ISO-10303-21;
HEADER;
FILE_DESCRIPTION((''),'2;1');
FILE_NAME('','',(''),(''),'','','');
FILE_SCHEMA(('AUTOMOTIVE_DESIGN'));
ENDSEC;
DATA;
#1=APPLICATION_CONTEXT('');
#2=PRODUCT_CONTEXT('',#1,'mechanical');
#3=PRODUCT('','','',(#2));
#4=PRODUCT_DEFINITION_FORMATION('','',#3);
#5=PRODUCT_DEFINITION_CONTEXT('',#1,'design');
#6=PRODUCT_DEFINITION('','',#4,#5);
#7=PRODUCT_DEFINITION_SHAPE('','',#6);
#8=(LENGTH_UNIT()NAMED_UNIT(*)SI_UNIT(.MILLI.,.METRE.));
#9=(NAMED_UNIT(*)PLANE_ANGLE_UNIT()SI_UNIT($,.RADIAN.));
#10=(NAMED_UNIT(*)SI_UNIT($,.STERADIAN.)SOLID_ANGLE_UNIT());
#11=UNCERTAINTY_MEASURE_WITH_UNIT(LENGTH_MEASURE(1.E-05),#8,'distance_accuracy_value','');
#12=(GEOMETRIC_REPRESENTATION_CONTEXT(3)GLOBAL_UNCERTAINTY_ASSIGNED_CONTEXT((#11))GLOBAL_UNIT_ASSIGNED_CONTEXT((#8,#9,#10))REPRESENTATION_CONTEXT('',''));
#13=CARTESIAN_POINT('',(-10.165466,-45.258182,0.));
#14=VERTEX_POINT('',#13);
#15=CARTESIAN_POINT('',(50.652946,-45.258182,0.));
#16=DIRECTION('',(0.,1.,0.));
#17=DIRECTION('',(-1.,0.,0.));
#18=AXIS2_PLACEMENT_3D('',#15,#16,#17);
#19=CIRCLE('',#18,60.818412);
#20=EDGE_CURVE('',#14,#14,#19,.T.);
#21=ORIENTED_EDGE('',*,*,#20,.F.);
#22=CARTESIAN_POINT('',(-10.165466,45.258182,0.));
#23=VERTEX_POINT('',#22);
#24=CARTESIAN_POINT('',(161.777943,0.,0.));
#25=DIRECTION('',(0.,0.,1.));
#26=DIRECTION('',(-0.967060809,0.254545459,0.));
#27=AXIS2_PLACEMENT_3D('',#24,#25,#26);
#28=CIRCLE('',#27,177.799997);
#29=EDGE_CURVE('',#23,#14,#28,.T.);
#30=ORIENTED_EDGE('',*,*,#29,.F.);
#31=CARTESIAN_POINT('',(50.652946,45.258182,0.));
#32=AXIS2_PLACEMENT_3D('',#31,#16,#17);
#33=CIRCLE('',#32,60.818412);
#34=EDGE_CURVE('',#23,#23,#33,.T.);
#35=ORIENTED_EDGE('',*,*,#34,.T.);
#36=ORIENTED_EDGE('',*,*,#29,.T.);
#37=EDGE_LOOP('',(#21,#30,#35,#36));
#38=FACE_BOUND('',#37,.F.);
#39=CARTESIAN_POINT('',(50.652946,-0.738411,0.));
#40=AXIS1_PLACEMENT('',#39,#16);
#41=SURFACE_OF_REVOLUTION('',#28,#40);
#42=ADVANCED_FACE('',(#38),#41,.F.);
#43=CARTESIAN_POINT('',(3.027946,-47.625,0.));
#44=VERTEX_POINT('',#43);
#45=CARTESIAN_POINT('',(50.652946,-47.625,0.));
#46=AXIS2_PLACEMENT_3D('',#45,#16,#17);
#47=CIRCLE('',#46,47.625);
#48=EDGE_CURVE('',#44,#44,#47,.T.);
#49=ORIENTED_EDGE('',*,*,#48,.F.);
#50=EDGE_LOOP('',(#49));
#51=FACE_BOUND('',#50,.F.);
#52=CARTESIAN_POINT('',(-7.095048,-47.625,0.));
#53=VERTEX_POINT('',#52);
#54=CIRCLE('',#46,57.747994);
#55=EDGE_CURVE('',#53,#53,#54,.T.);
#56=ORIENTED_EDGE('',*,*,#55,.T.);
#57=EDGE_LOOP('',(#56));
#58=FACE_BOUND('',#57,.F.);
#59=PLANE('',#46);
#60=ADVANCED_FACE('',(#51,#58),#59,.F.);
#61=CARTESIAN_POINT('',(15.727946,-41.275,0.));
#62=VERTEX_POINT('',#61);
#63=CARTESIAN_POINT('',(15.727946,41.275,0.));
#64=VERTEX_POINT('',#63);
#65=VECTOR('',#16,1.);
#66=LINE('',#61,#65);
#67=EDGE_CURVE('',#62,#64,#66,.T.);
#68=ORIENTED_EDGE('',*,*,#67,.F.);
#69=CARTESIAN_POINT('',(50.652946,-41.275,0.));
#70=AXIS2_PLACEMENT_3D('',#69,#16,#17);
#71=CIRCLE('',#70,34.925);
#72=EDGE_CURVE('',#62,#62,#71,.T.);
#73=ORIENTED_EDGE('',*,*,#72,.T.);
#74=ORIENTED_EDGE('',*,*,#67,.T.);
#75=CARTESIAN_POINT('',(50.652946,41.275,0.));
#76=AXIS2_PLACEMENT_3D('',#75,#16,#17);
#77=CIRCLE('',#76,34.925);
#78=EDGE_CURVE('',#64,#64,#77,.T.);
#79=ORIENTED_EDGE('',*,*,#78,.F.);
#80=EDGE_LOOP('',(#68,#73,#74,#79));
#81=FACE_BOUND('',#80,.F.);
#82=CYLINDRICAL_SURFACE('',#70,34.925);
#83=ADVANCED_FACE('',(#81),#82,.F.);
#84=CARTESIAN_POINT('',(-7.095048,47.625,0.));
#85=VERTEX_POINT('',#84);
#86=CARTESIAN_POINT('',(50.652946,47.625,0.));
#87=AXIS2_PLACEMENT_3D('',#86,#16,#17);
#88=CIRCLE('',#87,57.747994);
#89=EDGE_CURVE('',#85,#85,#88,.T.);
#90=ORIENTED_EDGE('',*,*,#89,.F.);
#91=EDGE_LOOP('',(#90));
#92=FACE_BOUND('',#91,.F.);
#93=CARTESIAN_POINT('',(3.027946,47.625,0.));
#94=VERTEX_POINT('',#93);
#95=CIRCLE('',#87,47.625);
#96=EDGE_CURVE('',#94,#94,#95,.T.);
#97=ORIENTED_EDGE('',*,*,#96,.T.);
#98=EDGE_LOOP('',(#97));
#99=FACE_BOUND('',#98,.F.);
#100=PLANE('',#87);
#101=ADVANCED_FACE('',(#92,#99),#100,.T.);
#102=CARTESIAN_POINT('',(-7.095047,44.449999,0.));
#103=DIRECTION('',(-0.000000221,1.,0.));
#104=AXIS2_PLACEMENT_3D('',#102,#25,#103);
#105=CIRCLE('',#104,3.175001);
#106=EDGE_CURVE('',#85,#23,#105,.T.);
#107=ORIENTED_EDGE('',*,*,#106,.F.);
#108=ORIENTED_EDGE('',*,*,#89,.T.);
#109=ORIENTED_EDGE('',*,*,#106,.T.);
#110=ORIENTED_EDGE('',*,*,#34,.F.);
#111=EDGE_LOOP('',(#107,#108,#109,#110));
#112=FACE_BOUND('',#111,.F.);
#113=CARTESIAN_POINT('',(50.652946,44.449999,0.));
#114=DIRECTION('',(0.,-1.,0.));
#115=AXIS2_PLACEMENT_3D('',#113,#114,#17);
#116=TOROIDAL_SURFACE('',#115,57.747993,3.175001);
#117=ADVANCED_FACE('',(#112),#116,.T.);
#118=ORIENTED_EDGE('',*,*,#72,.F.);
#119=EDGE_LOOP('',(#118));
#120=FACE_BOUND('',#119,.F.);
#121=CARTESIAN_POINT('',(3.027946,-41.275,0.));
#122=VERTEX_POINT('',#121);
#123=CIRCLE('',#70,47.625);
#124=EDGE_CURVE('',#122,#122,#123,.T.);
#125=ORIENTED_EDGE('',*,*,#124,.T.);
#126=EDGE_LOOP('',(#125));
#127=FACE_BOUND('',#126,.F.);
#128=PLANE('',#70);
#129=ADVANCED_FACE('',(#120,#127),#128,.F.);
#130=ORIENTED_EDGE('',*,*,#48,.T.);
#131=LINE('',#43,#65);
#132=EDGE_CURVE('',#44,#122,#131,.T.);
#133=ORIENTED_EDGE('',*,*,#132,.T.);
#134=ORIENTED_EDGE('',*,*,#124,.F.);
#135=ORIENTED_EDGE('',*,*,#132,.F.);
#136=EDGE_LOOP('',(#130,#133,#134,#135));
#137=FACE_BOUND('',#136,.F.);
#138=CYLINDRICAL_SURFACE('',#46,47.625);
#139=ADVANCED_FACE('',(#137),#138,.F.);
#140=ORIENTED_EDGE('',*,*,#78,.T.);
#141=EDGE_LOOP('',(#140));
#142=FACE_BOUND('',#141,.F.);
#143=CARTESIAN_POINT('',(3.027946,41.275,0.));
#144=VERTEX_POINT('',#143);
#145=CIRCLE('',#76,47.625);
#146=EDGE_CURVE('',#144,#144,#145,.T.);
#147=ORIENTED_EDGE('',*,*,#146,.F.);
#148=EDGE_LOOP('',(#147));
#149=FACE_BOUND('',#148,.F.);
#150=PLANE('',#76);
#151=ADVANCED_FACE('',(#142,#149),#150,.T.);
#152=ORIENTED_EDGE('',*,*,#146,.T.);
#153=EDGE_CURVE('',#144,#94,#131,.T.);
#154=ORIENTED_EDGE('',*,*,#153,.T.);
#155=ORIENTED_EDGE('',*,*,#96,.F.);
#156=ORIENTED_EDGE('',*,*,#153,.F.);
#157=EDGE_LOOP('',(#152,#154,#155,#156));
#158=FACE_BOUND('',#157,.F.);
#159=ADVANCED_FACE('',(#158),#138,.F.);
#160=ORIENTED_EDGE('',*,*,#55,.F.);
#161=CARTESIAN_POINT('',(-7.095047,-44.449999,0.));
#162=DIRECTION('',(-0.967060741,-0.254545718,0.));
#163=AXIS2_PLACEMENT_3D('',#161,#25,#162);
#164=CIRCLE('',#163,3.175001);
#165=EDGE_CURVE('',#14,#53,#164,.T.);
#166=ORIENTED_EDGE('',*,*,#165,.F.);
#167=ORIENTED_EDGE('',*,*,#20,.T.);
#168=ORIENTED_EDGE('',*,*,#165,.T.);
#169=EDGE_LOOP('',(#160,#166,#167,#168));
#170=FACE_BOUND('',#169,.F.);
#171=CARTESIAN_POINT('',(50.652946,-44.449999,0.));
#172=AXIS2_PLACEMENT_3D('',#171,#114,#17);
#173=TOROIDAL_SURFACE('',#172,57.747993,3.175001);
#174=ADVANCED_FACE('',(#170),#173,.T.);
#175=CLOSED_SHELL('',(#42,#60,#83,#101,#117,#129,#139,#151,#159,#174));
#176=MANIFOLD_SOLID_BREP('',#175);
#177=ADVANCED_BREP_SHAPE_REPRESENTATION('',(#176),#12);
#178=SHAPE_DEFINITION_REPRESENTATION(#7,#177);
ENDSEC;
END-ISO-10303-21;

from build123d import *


with BuildPart() as f1:
    # F0 (on Top) → F1 (revolve)
    with BuildSketch(Plane.XY):
        with BuildLine():
            Line((3.027946, 47.625), (-7.095048, 47.625))
            ThreePointArc((-7.095048, 47.625), (-9.03343, 46.964617), (-10.165466, 45.258182))
            ThreePointArc((-10.165466, 45.258182), (-16.022054, 0), (-10.165466, -45.258182))
            ThreePointArc((-10.165466, -45.258182), (-9.03343, -46.964617), (-7.095048, -47.625))
            Line((-7.095048, -47.625), (3.027946, -47.625))
            Line((3.027946, -47.625), (3.027946, -41.275))
            Line((3.027946, -41.275), (3.027946, 41.275))
            Line((3.027946, 41.275), (3.027946, 47.625))
        make_face()
        Polygon((15.727946, 41.275), (3.027946, 41.275), (3.027946, -41.275), (15.727946, -41.275), (15.727946, -1.476823), (15.727946, 0), align=None)
    revolve(axis=Axis((50.652946, -0.738411, 0), (0, 1, 0)))


solid = f1.part
